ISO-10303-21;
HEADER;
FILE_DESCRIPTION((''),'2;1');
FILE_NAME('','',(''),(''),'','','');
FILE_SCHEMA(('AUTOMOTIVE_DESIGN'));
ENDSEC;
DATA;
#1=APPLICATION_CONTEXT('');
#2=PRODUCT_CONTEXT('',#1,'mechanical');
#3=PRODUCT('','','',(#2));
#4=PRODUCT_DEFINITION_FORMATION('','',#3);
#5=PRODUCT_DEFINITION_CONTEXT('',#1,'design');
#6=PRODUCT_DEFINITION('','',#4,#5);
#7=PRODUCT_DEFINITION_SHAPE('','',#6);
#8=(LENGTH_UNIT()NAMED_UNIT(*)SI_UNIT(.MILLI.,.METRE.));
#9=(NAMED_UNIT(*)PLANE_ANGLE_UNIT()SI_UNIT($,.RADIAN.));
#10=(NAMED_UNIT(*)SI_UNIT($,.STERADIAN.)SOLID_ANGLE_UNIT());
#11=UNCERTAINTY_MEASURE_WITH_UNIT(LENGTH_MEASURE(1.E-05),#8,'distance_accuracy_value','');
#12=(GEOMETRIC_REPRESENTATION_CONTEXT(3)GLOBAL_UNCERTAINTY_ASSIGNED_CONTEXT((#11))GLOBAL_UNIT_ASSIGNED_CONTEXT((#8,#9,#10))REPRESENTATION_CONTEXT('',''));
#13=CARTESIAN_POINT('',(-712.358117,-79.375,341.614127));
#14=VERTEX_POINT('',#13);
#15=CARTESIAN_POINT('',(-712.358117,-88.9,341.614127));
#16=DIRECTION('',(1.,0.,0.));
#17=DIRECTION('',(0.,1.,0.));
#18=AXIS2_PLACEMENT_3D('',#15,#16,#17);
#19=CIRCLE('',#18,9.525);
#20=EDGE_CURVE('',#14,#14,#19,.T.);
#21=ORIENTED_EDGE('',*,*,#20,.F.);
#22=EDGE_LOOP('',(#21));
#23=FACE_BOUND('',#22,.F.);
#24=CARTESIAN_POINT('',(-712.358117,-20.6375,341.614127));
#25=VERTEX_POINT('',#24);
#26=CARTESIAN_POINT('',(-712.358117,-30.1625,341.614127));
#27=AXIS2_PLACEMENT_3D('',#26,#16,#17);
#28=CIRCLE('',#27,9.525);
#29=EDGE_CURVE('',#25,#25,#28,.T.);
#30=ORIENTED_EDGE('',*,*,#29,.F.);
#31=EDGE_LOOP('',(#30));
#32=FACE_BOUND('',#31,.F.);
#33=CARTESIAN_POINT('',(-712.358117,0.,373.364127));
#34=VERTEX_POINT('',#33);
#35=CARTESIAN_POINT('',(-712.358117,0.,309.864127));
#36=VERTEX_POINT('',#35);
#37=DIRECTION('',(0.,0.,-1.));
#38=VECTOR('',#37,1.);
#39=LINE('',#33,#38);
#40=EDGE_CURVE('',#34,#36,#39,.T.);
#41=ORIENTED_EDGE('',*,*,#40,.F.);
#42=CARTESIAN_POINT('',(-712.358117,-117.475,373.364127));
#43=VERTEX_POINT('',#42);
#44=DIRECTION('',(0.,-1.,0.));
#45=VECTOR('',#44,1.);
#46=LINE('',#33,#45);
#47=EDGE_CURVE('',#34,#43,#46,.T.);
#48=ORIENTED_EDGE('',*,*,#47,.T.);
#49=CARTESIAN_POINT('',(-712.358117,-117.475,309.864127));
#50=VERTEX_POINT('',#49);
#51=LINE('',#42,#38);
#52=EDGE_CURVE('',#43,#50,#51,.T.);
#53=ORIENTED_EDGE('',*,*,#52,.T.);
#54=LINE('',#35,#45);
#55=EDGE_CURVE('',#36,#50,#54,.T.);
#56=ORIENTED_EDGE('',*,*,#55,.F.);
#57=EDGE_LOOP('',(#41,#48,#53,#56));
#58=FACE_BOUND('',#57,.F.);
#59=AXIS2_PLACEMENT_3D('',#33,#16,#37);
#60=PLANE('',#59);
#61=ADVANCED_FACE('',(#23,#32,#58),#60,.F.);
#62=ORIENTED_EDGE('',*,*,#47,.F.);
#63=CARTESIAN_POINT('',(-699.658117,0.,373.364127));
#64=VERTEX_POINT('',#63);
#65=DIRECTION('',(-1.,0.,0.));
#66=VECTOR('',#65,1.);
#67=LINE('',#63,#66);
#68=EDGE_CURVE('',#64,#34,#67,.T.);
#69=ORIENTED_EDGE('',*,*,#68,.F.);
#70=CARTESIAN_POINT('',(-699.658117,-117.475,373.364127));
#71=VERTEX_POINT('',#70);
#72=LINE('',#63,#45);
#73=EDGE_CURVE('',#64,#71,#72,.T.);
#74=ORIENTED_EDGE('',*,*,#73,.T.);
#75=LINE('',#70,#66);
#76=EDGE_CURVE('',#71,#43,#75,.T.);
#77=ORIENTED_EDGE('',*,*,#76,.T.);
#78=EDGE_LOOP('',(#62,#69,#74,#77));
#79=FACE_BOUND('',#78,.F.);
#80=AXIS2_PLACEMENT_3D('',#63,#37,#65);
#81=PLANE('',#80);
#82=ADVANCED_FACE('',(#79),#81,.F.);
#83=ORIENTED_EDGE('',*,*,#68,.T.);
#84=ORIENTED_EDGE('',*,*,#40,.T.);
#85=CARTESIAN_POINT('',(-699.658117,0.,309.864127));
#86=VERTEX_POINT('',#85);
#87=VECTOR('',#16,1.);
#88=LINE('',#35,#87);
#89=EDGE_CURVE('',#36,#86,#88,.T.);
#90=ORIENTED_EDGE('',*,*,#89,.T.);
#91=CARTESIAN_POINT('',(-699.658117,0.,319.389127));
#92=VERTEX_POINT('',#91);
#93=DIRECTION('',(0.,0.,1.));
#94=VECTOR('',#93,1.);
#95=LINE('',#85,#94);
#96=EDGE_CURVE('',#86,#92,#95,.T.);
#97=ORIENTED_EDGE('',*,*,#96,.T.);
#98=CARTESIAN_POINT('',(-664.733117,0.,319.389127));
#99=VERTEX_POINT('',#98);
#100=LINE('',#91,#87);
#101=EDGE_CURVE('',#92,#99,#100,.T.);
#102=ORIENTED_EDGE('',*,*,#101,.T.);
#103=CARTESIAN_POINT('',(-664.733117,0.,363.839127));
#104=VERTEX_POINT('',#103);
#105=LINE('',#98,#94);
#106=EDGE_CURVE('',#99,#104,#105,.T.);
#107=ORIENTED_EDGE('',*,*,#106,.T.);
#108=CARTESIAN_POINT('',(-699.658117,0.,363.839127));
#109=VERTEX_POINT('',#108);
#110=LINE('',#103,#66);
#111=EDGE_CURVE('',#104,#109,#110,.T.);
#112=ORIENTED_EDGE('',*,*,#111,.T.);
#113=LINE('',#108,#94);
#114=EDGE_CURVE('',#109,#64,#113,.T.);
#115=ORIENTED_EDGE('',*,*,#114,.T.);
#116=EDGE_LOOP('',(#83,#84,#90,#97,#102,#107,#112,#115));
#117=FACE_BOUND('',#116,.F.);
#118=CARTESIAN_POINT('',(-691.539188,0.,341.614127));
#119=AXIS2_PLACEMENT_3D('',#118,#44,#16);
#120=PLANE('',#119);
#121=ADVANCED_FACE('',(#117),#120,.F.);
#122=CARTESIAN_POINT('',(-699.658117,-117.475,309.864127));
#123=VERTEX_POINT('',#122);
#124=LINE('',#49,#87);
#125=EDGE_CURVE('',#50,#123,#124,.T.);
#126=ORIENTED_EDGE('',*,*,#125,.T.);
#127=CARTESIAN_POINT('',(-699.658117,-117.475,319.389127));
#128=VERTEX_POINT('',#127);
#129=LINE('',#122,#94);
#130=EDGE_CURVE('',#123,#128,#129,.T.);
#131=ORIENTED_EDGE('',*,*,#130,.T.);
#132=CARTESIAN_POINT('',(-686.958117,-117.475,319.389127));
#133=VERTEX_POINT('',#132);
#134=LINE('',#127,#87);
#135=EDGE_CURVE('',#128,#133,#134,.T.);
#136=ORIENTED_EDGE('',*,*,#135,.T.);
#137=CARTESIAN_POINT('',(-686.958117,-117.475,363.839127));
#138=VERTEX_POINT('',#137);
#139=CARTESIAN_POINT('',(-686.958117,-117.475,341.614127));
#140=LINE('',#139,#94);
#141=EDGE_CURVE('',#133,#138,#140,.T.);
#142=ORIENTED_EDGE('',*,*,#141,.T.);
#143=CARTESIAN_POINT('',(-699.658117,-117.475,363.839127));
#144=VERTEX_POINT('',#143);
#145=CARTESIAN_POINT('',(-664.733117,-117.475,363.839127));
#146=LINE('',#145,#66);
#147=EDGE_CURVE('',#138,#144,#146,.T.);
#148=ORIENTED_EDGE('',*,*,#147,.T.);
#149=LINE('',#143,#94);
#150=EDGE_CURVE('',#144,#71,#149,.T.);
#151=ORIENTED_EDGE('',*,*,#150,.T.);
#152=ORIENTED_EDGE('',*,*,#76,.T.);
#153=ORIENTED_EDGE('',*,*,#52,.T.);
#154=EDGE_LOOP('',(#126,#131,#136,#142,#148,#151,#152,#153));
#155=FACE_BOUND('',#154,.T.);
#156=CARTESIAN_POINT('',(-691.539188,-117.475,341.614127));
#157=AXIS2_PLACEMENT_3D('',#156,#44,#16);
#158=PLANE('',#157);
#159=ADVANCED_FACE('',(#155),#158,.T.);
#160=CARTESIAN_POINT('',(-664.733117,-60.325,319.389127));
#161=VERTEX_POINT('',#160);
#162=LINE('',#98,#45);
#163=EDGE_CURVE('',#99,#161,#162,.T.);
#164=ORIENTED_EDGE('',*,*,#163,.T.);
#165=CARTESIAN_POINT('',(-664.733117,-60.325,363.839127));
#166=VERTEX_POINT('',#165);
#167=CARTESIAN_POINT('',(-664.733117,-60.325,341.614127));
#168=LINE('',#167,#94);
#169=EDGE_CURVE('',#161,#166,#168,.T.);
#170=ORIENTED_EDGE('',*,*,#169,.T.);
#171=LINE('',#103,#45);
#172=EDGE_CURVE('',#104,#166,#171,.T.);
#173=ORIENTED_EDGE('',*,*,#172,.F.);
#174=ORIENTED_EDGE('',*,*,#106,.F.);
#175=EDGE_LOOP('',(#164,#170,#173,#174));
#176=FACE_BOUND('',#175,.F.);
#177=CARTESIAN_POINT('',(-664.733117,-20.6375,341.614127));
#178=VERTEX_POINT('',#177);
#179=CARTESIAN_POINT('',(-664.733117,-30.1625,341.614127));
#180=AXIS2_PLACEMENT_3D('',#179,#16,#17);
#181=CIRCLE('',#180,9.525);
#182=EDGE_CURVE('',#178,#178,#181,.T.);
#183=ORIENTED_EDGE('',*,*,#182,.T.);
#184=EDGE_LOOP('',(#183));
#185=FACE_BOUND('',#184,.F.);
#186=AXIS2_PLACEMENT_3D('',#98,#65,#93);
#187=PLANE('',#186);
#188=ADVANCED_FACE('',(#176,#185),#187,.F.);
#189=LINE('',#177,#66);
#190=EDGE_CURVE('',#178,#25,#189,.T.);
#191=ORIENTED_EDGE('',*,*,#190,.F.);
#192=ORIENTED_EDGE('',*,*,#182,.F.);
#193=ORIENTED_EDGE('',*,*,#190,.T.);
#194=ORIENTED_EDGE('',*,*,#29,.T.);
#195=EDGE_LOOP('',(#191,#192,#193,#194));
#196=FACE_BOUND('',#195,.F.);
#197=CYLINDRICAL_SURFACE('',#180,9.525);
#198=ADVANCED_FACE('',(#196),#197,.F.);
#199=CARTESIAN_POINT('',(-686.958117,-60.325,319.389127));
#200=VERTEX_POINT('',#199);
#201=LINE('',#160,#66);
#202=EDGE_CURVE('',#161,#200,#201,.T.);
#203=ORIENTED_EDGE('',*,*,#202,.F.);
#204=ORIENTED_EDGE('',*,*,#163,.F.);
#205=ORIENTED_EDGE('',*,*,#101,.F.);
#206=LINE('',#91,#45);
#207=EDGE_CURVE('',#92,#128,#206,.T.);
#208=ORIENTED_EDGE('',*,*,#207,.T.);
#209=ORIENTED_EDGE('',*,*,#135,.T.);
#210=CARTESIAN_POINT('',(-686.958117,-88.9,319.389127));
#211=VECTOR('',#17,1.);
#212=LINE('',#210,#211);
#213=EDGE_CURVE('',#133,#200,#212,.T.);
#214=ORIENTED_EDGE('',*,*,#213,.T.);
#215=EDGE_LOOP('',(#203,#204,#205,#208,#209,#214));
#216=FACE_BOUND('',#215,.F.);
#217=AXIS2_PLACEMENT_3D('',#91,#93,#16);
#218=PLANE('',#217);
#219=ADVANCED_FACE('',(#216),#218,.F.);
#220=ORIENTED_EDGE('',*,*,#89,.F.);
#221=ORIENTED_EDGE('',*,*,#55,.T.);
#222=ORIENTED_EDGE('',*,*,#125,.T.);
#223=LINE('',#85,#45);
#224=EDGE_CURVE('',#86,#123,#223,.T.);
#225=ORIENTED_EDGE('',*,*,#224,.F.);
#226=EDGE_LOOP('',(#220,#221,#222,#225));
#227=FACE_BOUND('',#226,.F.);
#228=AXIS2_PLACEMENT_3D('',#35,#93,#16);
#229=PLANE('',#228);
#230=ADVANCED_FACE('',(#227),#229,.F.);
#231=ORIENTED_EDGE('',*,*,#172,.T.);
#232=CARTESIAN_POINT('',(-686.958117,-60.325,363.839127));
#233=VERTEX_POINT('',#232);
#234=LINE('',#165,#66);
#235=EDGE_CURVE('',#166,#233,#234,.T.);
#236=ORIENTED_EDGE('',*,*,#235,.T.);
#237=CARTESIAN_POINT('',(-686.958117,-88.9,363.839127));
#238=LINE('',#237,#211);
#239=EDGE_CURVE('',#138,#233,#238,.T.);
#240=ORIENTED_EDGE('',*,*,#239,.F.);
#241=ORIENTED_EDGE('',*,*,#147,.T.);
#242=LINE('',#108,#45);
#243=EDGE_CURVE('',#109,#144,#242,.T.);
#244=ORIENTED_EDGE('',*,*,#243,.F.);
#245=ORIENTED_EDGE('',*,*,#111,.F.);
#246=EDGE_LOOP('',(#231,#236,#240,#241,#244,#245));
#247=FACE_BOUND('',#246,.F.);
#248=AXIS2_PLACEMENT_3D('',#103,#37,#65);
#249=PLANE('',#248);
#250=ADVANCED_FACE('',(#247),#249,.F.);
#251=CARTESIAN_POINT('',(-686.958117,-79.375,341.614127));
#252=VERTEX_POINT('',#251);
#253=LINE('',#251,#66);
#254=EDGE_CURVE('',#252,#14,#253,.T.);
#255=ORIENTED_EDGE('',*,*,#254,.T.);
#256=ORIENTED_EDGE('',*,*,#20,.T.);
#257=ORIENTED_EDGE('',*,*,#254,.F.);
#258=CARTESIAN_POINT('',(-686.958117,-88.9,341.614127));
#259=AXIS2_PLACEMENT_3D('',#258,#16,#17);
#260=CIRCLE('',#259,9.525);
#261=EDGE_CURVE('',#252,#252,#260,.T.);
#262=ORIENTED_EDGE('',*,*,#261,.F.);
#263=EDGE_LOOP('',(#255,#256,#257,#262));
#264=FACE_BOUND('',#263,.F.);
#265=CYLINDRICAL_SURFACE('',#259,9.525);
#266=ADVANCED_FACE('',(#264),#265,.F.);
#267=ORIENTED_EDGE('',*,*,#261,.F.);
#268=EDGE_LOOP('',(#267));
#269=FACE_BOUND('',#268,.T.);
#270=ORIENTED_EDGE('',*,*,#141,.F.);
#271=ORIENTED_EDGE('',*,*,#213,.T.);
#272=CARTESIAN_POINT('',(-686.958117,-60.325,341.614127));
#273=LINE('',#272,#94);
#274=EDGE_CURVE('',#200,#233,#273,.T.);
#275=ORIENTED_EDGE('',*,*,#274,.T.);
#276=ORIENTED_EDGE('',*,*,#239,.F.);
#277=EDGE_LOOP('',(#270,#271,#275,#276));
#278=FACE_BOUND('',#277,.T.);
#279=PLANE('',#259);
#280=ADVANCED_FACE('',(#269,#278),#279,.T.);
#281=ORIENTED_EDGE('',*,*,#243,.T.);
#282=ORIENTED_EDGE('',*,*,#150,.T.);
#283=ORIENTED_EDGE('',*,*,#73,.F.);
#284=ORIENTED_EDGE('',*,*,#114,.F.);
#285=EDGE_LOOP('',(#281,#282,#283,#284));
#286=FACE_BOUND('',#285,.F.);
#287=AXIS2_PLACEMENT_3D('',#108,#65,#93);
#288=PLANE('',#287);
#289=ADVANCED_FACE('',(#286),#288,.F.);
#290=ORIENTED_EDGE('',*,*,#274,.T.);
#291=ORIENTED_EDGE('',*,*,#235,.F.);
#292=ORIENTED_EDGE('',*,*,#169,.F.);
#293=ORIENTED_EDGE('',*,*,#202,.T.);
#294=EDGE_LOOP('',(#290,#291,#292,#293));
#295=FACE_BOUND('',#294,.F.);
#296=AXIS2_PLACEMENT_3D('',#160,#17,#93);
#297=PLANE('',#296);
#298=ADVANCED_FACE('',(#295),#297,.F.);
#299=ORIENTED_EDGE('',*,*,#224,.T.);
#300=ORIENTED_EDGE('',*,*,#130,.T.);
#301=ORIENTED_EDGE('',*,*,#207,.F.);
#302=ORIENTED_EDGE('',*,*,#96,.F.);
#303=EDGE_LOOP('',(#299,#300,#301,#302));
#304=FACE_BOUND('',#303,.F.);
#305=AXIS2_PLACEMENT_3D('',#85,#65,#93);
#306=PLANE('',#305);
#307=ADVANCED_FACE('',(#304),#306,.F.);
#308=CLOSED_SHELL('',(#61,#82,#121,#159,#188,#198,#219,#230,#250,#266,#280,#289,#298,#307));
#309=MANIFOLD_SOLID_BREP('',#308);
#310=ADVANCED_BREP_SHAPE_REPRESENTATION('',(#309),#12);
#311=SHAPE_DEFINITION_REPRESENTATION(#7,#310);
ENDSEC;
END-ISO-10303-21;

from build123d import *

# Parameters (mm, degrees)
F1_DEPTH = 117.475
F2_W     = 57.15
F2_H     = 44.45
F3_DEPTH = 22.225
F4_R     = 9.525
F5_DEPTH = 25.401
F6_R     = 9.525
F7_DEPTH = 47.626


with BuildPart() as f1:
    # F0 (on Front) → F1 (new body)
    with BuildSketch(Plane.XZ):
        Polygon((-699.658117, 373.364127), (-712.358117, 373.364127), (-712.358117, 309.864127), (-699.658117, 309.864127), (-699.658117, 319.389127), (-664.733117, 319.389127), (-664.733117, 363.839127), (-699.658117, 363.839127), align=None)
    extrude(amount=F1_DEPTH)

    # F2 (on face) → F3 (cut)
    with BuildSketch(Plane.YZ.offset(-664.733117)):
        with Locations((-88.9, 341.614127)):
            Rectangle(F2_W, F2_H)
    extrude(amount=-F3_DEPTH, mode=Mode.SUBTRACT)

    # F4 (on face) → F5 (cut, through all)
    with BuildSketch(Plane.YZ.offset(-686.958117)):
        with Locations((-88.9, 341.614127)):
            Circle(F4_R)
    extrude(amount=-F5_DEPTH, mode=Mode.SUBTRACT)

    # F6 (on face) → F7 (cut, through all)
    with BuildSketch(Plane.YZ.offset(-664.733117)):
        with Locations((-30.1625, 341.614127)):
            Circle(F6_R)
    extrude(amount=-F7_DEPTH, mode=Mode.SUBTRACT)


solid = f1.part
